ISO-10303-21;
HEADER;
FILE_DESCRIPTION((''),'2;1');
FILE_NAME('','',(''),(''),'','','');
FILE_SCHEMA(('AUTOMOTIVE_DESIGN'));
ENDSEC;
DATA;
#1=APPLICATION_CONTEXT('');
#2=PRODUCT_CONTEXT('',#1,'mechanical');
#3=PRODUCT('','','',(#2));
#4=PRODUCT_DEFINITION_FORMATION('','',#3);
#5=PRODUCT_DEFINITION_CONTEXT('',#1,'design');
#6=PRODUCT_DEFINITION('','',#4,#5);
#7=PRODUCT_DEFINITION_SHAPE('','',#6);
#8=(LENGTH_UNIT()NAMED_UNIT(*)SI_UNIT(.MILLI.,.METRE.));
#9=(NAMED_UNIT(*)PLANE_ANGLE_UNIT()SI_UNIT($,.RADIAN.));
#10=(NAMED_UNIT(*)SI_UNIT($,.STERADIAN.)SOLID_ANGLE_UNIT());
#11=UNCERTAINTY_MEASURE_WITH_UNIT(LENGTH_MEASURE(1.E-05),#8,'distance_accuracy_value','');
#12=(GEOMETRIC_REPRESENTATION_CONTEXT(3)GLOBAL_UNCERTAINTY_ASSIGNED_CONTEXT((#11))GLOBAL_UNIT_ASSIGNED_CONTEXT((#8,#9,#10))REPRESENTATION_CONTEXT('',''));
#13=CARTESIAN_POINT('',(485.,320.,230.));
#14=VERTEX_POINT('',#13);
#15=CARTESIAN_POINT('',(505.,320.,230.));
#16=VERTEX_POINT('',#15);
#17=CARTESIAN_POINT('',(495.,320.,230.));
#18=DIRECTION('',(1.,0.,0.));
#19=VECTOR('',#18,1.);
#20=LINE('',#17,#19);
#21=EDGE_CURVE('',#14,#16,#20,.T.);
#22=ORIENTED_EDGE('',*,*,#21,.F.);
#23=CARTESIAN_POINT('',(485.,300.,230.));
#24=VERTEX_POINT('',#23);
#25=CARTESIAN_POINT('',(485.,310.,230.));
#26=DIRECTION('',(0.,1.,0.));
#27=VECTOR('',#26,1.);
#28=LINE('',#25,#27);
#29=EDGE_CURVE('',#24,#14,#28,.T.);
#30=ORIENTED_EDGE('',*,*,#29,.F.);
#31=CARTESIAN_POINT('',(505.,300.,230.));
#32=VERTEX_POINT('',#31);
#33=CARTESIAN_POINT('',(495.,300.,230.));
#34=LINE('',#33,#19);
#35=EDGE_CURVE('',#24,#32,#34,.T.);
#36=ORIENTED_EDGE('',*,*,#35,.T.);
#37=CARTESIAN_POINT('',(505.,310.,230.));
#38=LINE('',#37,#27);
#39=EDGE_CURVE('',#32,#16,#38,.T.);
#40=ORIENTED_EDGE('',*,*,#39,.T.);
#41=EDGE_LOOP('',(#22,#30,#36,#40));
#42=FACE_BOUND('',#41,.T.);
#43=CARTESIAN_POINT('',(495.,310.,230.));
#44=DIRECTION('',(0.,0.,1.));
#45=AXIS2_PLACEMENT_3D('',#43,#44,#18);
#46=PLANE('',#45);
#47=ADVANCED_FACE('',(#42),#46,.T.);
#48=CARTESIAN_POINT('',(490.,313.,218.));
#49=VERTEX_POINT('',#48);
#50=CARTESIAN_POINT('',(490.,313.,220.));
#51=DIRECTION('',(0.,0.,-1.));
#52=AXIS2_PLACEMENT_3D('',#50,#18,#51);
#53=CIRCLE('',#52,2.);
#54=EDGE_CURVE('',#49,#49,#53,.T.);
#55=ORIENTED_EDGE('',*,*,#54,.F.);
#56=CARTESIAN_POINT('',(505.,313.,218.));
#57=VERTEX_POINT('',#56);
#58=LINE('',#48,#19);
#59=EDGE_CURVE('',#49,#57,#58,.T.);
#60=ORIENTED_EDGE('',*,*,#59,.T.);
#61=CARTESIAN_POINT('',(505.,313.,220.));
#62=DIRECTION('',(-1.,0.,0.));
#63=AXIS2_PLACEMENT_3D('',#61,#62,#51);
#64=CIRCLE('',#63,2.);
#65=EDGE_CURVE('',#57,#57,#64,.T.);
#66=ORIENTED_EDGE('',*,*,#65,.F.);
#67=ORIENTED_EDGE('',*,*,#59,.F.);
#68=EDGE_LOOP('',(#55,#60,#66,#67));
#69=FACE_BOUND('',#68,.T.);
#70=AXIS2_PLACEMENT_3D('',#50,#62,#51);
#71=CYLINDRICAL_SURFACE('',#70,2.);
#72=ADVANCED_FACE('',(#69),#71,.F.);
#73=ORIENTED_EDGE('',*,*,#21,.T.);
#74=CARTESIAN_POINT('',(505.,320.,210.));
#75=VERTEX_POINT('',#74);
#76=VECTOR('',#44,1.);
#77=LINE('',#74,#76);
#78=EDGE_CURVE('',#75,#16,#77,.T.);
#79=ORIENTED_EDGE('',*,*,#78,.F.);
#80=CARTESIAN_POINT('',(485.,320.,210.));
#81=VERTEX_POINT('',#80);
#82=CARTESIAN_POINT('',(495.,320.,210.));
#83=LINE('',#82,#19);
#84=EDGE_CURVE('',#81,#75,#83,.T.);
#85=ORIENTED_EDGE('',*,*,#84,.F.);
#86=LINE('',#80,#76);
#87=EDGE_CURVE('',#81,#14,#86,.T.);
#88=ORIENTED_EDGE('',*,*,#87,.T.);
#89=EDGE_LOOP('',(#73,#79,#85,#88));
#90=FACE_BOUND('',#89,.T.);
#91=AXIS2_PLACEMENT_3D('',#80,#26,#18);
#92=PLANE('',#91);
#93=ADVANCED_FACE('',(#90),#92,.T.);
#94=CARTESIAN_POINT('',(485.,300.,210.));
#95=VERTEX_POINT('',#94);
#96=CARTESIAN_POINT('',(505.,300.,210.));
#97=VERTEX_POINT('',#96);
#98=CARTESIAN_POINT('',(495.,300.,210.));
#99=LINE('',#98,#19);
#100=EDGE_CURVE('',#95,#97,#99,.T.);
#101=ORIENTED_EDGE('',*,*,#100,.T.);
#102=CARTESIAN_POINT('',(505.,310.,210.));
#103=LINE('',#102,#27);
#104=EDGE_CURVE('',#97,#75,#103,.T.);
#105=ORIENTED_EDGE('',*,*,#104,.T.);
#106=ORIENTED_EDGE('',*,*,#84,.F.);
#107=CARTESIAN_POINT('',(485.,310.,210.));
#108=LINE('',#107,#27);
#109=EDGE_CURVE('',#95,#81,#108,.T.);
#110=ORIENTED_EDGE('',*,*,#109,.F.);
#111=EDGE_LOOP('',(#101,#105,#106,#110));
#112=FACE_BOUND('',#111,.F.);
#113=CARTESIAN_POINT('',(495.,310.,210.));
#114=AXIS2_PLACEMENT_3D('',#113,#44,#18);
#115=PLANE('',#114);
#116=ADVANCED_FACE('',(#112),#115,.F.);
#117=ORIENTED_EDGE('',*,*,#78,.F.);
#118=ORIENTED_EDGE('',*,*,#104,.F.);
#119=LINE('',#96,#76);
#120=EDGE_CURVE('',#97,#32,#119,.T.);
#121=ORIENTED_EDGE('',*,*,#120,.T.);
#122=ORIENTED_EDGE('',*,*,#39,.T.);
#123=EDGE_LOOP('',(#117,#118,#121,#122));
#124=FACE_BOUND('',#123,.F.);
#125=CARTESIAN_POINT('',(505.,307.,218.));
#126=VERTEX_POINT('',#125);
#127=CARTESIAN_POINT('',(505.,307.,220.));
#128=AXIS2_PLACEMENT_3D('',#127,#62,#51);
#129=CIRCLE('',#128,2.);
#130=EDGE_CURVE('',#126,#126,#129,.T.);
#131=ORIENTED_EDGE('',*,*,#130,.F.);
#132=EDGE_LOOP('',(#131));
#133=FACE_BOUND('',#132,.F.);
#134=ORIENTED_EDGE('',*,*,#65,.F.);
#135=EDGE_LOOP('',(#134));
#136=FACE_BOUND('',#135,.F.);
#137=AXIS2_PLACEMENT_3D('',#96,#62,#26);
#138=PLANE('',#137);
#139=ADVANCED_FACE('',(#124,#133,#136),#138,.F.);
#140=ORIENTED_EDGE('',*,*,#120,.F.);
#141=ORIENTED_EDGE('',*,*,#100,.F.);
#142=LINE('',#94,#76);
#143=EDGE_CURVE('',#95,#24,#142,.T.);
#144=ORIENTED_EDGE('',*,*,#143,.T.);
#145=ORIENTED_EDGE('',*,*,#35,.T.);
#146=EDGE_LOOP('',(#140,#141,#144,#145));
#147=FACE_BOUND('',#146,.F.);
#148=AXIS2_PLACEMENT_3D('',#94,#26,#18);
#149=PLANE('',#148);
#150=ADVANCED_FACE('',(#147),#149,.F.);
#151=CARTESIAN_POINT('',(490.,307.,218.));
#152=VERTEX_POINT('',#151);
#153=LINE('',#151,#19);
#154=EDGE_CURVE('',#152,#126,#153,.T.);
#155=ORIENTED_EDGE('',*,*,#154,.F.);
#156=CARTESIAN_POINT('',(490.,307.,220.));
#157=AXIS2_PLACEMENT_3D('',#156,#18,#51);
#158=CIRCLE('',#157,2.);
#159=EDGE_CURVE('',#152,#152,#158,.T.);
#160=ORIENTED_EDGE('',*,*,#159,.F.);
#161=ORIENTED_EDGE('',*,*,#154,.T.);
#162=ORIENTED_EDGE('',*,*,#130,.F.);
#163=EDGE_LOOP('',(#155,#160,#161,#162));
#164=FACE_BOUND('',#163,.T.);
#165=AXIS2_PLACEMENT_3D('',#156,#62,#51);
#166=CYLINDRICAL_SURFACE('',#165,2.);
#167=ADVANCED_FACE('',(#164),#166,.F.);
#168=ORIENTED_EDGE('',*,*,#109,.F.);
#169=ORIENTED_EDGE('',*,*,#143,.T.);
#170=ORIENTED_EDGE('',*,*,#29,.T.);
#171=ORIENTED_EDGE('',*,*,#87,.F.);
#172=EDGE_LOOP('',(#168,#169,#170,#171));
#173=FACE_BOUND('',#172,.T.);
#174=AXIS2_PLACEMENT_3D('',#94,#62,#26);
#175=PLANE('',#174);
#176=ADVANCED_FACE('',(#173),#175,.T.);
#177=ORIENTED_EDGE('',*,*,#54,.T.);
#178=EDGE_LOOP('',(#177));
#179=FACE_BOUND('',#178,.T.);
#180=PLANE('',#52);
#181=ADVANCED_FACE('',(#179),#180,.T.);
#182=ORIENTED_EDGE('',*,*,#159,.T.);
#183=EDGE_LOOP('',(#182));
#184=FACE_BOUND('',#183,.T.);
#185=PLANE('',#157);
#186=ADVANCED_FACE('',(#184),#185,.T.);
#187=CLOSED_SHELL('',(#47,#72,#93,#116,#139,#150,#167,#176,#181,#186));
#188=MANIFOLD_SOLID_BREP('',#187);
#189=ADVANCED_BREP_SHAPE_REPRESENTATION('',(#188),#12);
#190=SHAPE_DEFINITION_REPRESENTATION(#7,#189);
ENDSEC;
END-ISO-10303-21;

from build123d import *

# Parameters (mm, degrees)
CYLINDER003_R           = 2
CYLINDER003_DEPTH       = 30
CYLINDER003_PITCH_ANGLE = 90
CYLINDER002_R           = 2
CYLINDER002_DEPTH       = 30
CYLINDER002_PITCH_ANGLE = 90
BOX005_W                = 20
BOX005_H                = 20
BOX005_DEPTH            = 20


with BuildPart() as cylinder001:
    # Cylinder003 → Cylinder003 (new body)
    with BuildSketch(Plane.XY):
        Circle(CYLINDER003_R)
    extrude(amount=CYLINDER003_DEPTH)


with BuildPart() as cylinder001_1:
    # Cylinder003 pitch: moved
    add(cylinder001.part.rotate(Axis((0, 0, 0), (0, 1, 0)), CYLINDER003_PITCH_ANGLE))


with BuildPart() as cylinder001_2:
    # Cylinder003 placement: moved
    add(cylinder001_1.part.moved(Location((490, 313, 220))))


with BuildPart() as cylinder:
    # Cylinder002 → Cylinder002 (new body)
    with BuildSketch(Plane.XY):
        Circle(CYLINDER002_R)
    extrude(amount=CYLINDER002_DEPTH)


with BuildPart() as cylinder_1:
    # Cylinder002 pitch: moved
    add(cylinder.part.rotate(Axis((0, 0, 0), (0, 1, 0)), CYLINDER002_PITCH_ANGLE))


with BuildPart() as cylinder_2:
    # Cylinder002 placement: moved
    add(cylinder_1.part.moved(Location((490, 307, 220))))


with BuildPart() as plug001:
    # Box005 → Box005 (new body)
    with BuildSketch(Plane(origin=(485, 300, 210), x_dir=(1, 0, 0), z_dir=(0, 0, 1))):
        with Locations((10, 10)):
            Rectangle(BOX005_W, BOX005_H)
    extrude(amount=BOX005_DEPTH)

    # Cut001: cut Cylinder
    add(cylinder_2.part, mode=Mode.SUBTRACT)

    # Cut002: cut Cylinder001
    add(cylinder001_2.part, mode=Mode.SUBTRACT)


solid = plug001.part
